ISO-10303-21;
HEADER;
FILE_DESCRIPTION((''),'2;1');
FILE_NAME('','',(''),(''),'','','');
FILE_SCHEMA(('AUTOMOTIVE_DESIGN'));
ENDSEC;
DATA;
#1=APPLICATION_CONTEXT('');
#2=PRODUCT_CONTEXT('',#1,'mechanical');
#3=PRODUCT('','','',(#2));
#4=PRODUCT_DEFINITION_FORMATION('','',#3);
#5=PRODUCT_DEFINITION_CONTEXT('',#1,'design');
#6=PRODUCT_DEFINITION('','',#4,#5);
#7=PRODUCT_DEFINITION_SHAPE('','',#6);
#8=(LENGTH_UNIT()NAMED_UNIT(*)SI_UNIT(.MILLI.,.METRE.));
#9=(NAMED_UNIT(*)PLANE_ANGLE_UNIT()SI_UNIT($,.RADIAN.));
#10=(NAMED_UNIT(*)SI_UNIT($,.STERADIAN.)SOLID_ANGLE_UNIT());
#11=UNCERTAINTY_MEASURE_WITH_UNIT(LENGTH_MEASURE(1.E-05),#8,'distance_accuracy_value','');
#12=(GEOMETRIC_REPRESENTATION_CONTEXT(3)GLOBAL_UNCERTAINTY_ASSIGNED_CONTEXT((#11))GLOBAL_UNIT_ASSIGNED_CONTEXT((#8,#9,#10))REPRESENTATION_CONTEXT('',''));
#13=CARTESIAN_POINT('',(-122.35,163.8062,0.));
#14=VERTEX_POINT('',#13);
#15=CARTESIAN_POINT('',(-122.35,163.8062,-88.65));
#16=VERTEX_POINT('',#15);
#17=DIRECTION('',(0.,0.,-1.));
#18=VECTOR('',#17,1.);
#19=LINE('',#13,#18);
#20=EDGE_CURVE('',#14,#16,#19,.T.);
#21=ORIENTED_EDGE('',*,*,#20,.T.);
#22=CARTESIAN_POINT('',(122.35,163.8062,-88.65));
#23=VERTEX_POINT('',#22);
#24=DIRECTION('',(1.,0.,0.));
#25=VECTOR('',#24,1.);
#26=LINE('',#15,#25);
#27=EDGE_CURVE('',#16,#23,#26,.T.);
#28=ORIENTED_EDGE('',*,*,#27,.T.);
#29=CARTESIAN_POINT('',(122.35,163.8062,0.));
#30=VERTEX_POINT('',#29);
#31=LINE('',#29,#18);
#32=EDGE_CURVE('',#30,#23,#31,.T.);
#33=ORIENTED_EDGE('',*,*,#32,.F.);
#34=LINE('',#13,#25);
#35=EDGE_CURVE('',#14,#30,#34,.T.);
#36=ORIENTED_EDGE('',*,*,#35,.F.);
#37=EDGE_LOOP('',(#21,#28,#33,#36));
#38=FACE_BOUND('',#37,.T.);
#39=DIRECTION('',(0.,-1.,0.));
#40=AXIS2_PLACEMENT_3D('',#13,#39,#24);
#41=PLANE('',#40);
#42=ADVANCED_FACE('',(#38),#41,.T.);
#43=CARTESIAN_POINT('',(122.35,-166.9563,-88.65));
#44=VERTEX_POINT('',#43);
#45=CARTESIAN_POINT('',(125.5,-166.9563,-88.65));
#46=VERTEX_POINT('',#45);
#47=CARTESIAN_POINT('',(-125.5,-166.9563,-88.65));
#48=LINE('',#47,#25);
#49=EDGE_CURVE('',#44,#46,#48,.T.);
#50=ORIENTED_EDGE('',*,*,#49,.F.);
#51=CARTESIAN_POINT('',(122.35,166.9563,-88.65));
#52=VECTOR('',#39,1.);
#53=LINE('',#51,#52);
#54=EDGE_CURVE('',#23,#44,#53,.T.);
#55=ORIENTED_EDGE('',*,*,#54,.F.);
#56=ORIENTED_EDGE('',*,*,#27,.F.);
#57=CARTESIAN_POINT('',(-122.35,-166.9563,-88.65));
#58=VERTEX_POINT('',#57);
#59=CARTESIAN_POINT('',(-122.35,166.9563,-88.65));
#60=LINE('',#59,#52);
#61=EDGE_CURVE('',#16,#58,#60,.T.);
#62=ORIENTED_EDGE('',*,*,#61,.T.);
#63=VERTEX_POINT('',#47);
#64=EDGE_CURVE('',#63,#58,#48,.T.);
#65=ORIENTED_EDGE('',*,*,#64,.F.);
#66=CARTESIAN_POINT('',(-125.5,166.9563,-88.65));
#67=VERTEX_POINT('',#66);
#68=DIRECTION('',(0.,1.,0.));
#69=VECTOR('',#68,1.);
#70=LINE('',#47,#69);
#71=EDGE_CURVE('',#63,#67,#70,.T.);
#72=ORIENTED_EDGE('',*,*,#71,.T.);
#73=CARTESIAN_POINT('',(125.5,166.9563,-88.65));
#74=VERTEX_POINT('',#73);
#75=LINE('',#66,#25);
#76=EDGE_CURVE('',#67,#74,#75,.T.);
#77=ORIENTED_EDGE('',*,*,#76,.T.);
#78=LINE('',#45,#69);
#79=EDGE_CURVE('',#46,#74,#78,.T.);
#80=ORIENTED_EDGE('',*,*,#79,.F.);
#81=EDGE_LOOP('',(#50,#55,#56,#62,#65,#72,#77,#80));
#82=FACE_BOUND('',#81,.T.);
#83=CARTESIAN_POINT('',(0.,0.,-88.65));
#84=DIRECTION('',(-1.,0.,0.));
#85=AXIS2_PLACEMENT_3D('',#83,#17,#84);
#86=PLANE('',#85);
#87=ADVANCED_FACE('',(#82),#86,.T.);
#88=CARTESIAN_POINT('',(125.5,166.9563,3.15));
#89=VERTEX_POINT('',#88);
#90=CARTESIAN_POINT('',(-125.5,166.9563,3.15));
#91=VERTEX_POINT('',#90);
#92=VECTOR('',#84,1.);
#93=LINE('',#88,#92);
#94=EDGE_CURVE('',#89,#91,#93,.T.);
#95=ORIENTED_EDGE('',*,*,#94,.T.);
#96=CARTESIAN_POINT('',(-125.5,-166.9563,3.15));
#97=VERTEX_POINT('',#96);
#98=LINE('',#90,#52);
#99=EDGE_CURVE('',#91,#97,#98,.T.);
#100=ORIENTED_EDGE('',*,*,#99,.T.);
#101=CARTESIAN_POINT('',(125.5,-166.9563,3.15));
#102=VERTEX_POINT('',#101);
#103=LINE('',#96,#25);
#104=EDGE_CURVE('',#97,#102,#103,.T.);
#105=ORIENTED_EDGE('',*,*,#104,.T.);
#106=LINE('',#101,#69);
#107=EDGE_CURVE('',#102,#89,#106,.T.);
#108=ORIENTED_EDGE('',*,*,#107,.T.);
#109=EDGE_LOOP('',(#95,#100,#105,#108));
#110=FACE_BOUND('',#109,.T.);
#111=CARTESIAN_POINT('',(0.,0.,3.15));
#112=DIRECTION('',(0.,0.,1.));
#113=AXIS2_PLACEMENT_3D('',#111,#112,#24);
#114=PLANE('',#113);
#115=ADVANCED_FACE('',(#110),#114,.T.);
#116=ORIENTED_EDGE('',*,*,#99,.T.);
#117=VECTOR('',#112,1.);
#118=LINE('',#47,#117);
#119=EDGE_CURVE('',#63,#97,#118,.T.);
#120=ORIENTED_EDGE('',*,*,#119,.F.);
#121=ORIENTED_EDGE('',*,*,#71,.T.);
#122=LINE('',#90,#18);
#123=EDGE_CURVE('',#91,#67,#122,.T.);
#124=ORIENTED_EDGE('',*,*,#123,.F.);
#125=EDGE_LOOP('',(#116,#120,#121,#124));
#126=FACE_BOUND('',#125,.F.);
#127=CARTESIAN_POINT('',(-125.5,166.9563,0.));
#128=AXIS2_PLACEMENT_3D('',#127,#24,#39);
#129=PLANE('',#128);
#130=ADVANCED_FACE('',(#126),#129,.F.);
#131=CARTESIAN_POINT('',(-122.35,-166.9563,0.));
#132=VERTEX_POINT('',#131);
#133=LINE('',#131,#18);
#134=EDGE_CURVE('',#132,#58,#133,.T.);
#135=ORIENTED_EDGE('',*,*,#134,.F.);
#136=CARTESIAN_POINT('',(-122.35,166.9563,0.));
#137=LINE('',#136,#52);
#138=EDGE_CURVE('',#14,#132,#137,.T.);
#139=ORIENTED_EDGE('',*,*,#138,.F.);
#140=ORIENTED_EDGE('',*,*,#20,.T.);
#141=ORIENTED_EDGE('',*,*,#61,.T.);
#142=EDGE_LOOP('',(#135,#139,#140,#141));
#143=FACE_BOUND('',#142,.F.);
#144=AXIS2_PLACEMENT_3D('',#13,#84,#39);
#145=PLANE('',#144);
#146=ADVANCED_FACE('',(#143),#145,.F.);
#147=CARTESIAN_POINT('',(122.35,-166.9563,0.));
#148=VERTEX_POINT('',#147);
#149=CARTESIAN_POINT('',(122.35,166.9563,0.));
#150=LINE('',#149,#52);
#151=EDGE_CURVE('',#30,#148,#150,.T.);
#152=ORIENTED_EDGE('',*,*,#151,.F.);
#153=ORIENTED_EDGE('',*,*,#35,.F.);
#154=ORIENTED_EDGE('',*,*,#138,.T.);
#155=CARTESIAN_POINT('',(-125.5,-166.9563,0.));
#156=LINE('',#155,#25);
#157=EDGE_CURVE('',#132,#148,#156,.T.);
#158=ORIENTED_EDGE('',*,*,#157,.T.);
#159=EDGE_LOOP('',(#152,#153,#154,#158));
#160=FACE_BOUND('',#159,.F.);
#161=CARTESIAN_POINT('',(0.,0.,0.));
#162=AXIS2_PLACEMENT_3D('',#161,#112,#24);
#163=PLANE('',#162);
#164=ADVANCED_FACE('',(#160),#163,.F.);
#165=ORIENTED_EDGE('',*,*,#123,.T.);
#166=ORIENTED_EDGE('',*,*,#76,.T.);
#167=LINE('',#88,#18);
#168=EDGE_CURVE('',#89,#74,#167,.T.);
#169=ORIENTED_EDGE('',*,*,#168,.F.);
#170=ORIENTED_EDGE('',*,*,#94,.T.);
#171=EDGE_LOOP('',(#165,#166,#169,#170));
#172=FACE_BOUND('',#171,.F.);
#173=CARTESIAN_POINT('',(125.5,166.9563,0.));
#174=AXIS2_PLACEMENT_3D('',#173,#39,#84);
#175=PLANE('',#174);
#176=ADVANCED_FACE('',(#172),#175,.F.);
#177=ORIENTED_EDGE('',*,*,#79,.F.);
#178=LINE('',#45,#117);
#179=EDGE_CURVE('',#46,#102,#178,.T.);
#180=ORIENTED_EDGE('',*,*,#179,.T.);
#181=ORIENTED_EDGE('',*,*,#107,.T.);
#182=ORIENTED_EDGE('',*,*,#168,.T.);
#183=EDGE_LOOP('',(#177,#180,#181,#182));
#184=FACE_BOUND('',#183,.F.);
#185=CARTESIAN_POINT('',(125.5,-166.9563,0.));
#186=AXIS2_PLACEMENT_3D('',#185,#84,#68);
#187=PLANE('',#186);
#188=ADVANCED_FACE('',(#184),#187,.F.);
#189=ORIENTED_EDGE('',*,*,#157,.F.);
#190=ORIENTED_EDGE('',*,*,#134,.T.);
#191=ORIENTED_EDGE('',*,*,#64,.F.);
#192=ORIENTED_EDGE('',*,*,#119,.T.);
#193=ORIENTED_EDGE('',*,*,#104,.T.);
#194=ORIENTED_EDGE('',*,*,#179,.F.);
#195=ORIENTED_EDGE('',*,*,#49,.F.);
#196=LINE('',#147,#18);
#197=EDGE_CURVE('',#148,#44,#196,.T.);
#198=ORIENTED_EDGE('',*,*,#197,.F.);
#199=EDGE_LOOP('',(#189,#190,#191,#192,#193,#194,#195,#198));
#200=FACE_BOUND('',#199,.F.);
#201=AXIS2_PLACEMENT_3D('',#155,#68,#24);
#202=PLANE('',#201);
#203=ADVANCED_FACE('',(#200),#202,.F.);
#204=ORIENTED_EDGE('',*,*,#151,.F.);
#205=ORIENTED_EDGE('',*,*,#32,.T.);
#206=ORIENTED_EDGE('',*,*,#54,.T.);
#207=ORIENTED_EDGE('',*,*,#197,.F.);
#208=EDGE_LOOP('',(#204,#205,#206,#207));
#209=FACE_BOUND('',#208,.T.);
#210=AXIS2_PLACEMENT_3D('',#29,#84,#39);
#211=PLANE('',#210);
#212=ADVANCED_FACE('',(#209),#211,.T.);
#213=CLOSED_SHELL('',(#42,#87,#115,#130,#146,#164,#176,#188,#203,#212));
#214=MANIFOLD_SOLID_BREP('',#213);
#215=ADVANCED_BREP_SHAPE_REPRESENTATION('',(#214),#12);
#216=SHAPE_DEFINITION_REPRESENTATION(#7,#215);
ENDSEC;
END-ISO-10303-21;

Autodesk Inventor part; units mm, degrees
ref_plane "YZ Plane" through (0, 0, 0) normal (1, 0, 0) x (0, 1, 0)
ref_plane "XZ Plane" through (0, 0, 0) normal (0, 1, 0) x (-1, 0, 0)
ref_plane "XY Plane" through (0, 0, 0) normal (0, 0, 1) x (1, 0, 0)
sketch "Sketch1" plane through (0, 0, 0) normal (0, 0, 1) x (1, 0, 0)
  line L0 (-125.5, -166.9563) -> (125.5, -166.9563)
  line L1 (125.5, -166.9563) -> (125.5, 166.9563)
  line L2 (125.5, 166.9563) -> (-125.5, 166.9563)
  line L3 (-125.5, 166.9563) -> (-125.5, -166.9563)
  line L4 (-125.5, -166.9563) -> (125.5, 166.9563) construction
  line L5 (125.5, -166.9563) -> (-125.5, 166.9563) construction
  point P0 (0, 0)
  dimension "d0" = 251
  dimension "d1" = 333.9125
extrude "Extrusion1" add sketch "Sketch1" along normal blind 3.15
sketch "Sketch2" plane through (0, 0, 0) normal (0, 0, -1) x (-1, 0, 0)
  line L0 (125.5, -166.9563) -> (-125.5, -166.9563) projected
  line L1 (-125.5, 166.9563) -> (-122.35, 166.9563)
  line L2 (-122.35, 166.9563) -> (-122.35, -166.9563)
  line L3 (-122.35, -166.9563) -> (-125.5, -166.9563)
  line L4 (-125.5, -166.9563) -> (-125.5, 166.9563)
  line L5 (125.5, 166.9563) -> (122.35, 166.9563)
  line L6 (122.35, 166.9563) -> (122.35, -166.9563)
  line L7 (122.35, -166.9563) -> (125.5, -166.9563)
  line L8 (125.5, -166.9563) -> (125.5, 166.9563)
  line L9 (-122.35, 166.9563) -> (122.35, 166.9563)
  line L10 (122.35, 166.9563) -> (122.35, 163.8062)
  line L11 (122.35, 163.8062) -> (-122.35, 163.8062)
  line L12 (-122.35, 163.8062) -> (-122.35, 166.9563)
  point P0 (0, 0)
  dimension "d4" = 3.15
  dimension "d5" = 3.15
  dimension "d6" = 3.15
extrude "Extrusion2" add sketch "Sketch2" along normal blind 88.65 contours L0 L6 L5 L8 | L0 L4 L1 L2 | L11 L2 L9 L6
equation "\"d0\" = door_x"
equation "\"d1\" = door_z"
equation "\"d2\" = clear_acrylic"
equation "\"d4\" = clear_acrylic"
equation "\"d5\" = clear_acrylic"
equation "\"d6\" = clear_acrylic"
equation "\"d7\" = window_y"
equation "\"sm_thickness\" = 1.5875"
equation "\"al_thickness\" = 1.5875"
equation "\"bend_factor\" = 2.26205"
equation "\"al_bend\" = 3.591"
equation "\"sm_bend\" = 3.591"
equation "\"very_thick_acrylic\" = 9.45"
equation "\"thick_acrylic\" = 5.88"
equation "\"thin_acrylic\" = 3.15"
equation "\"clear_acrylic\" = 3.15"
equation "\"wood_thickness\" = 6.72"
equation "\"m3_diameter\" = 3"
equation "\"m3_head\" = 6"
equation "\"m4_diameter\" = 4"
equation "\"m5_diameter\" = 5"
equation "\"m5_head\" = 10.3"
equation "\"rivet_diameter\" = 3.3"
equation "\"brass_insert_drill\" = 4"
equation "\"m5_brass_insert_drill\" = 6.7"
equation "\"m3_press_nut_drill\" = 4.5"
equation "\"m5_press_nut_drill\" = 6.5"
equation "\"laser_body_diameter\" = 12"
equation "\"carrier_y\" = 251"
equation "\"carrier_y2\" = 76.825"
equation "\"carrier_z\" = 12"
equation "\"carrier_z2\" = 25"
equation "\"visor_x\" = 257.3"
equation "\"visor_y\" = 108.65"
equation "\"window_z\" = 333.9125"
equation "\"window_y\" = 88.65"
equation "\"window_overlap\" = 48"
equation "\"acrylic_into_frame\" = 5"
equation "\"door_x\" = 251"
equation "\"door_z\" = 333.9125"
equation "\"door_overlap\" = 48"
equation "\"reservoir_x\" = 201"
equation "\"reservoir_y\" = 201"
equation "\"linear_bearing_spacing\" = 271"
equation "\"tray_border\" = 25"
equation "\"tray_x\" = 251"
equation "\"tray_y\" = 251"
equation "\"bed_z\" = 25"
equation "\"crane_z2\" = 12"
equation "\"switch_spacing\" = 19"
equation "\"frame_top_z\" = 385"
equation "\"frame_bottom_z\" = 275"
equation "\"frame_total_z\" = 661.5875"
equation "\"frame_x\" = 350.2"
equation "\"frame_face_y\" = 45"
equation "\"frame_border\" = 46.35"
equation "\"frame_foot_z\" = 12"
equation "\"frame_screw_from_center\" = 25"
equation "\"laser_y_offset\" = 19.4"
equation "\"laser_diameter\" = 12"
equation "\"laser_z_offset\" = 55"
equation "\"laser_y\" = 15"
equation "\"laser_z\" = 75"
equation "\"laser_gap\" = 1"
equation "\"subframe_x\" = 66"
equation "\"subframe_y\" = 55"
equation "\"galvo_frame_x\" = 66"
equation "\"galvo_frame_z\" = 65"
equation "\"galvo_frame_y_offset\" = 27.5"
equation "\"drawer_x\" = 257.3"
equation "\"drawer_y\" = 85.2375"
equation "\"drawer_z\" = 278.175"
equation "\"drawer_support_from_top\" = 48"
equation "\"drawer_screw_z\" = 145"
equation "\"drawer_screw_from_center\" = 55"
equation "\"nema17_x\" = 43"
properties part number "window2"
